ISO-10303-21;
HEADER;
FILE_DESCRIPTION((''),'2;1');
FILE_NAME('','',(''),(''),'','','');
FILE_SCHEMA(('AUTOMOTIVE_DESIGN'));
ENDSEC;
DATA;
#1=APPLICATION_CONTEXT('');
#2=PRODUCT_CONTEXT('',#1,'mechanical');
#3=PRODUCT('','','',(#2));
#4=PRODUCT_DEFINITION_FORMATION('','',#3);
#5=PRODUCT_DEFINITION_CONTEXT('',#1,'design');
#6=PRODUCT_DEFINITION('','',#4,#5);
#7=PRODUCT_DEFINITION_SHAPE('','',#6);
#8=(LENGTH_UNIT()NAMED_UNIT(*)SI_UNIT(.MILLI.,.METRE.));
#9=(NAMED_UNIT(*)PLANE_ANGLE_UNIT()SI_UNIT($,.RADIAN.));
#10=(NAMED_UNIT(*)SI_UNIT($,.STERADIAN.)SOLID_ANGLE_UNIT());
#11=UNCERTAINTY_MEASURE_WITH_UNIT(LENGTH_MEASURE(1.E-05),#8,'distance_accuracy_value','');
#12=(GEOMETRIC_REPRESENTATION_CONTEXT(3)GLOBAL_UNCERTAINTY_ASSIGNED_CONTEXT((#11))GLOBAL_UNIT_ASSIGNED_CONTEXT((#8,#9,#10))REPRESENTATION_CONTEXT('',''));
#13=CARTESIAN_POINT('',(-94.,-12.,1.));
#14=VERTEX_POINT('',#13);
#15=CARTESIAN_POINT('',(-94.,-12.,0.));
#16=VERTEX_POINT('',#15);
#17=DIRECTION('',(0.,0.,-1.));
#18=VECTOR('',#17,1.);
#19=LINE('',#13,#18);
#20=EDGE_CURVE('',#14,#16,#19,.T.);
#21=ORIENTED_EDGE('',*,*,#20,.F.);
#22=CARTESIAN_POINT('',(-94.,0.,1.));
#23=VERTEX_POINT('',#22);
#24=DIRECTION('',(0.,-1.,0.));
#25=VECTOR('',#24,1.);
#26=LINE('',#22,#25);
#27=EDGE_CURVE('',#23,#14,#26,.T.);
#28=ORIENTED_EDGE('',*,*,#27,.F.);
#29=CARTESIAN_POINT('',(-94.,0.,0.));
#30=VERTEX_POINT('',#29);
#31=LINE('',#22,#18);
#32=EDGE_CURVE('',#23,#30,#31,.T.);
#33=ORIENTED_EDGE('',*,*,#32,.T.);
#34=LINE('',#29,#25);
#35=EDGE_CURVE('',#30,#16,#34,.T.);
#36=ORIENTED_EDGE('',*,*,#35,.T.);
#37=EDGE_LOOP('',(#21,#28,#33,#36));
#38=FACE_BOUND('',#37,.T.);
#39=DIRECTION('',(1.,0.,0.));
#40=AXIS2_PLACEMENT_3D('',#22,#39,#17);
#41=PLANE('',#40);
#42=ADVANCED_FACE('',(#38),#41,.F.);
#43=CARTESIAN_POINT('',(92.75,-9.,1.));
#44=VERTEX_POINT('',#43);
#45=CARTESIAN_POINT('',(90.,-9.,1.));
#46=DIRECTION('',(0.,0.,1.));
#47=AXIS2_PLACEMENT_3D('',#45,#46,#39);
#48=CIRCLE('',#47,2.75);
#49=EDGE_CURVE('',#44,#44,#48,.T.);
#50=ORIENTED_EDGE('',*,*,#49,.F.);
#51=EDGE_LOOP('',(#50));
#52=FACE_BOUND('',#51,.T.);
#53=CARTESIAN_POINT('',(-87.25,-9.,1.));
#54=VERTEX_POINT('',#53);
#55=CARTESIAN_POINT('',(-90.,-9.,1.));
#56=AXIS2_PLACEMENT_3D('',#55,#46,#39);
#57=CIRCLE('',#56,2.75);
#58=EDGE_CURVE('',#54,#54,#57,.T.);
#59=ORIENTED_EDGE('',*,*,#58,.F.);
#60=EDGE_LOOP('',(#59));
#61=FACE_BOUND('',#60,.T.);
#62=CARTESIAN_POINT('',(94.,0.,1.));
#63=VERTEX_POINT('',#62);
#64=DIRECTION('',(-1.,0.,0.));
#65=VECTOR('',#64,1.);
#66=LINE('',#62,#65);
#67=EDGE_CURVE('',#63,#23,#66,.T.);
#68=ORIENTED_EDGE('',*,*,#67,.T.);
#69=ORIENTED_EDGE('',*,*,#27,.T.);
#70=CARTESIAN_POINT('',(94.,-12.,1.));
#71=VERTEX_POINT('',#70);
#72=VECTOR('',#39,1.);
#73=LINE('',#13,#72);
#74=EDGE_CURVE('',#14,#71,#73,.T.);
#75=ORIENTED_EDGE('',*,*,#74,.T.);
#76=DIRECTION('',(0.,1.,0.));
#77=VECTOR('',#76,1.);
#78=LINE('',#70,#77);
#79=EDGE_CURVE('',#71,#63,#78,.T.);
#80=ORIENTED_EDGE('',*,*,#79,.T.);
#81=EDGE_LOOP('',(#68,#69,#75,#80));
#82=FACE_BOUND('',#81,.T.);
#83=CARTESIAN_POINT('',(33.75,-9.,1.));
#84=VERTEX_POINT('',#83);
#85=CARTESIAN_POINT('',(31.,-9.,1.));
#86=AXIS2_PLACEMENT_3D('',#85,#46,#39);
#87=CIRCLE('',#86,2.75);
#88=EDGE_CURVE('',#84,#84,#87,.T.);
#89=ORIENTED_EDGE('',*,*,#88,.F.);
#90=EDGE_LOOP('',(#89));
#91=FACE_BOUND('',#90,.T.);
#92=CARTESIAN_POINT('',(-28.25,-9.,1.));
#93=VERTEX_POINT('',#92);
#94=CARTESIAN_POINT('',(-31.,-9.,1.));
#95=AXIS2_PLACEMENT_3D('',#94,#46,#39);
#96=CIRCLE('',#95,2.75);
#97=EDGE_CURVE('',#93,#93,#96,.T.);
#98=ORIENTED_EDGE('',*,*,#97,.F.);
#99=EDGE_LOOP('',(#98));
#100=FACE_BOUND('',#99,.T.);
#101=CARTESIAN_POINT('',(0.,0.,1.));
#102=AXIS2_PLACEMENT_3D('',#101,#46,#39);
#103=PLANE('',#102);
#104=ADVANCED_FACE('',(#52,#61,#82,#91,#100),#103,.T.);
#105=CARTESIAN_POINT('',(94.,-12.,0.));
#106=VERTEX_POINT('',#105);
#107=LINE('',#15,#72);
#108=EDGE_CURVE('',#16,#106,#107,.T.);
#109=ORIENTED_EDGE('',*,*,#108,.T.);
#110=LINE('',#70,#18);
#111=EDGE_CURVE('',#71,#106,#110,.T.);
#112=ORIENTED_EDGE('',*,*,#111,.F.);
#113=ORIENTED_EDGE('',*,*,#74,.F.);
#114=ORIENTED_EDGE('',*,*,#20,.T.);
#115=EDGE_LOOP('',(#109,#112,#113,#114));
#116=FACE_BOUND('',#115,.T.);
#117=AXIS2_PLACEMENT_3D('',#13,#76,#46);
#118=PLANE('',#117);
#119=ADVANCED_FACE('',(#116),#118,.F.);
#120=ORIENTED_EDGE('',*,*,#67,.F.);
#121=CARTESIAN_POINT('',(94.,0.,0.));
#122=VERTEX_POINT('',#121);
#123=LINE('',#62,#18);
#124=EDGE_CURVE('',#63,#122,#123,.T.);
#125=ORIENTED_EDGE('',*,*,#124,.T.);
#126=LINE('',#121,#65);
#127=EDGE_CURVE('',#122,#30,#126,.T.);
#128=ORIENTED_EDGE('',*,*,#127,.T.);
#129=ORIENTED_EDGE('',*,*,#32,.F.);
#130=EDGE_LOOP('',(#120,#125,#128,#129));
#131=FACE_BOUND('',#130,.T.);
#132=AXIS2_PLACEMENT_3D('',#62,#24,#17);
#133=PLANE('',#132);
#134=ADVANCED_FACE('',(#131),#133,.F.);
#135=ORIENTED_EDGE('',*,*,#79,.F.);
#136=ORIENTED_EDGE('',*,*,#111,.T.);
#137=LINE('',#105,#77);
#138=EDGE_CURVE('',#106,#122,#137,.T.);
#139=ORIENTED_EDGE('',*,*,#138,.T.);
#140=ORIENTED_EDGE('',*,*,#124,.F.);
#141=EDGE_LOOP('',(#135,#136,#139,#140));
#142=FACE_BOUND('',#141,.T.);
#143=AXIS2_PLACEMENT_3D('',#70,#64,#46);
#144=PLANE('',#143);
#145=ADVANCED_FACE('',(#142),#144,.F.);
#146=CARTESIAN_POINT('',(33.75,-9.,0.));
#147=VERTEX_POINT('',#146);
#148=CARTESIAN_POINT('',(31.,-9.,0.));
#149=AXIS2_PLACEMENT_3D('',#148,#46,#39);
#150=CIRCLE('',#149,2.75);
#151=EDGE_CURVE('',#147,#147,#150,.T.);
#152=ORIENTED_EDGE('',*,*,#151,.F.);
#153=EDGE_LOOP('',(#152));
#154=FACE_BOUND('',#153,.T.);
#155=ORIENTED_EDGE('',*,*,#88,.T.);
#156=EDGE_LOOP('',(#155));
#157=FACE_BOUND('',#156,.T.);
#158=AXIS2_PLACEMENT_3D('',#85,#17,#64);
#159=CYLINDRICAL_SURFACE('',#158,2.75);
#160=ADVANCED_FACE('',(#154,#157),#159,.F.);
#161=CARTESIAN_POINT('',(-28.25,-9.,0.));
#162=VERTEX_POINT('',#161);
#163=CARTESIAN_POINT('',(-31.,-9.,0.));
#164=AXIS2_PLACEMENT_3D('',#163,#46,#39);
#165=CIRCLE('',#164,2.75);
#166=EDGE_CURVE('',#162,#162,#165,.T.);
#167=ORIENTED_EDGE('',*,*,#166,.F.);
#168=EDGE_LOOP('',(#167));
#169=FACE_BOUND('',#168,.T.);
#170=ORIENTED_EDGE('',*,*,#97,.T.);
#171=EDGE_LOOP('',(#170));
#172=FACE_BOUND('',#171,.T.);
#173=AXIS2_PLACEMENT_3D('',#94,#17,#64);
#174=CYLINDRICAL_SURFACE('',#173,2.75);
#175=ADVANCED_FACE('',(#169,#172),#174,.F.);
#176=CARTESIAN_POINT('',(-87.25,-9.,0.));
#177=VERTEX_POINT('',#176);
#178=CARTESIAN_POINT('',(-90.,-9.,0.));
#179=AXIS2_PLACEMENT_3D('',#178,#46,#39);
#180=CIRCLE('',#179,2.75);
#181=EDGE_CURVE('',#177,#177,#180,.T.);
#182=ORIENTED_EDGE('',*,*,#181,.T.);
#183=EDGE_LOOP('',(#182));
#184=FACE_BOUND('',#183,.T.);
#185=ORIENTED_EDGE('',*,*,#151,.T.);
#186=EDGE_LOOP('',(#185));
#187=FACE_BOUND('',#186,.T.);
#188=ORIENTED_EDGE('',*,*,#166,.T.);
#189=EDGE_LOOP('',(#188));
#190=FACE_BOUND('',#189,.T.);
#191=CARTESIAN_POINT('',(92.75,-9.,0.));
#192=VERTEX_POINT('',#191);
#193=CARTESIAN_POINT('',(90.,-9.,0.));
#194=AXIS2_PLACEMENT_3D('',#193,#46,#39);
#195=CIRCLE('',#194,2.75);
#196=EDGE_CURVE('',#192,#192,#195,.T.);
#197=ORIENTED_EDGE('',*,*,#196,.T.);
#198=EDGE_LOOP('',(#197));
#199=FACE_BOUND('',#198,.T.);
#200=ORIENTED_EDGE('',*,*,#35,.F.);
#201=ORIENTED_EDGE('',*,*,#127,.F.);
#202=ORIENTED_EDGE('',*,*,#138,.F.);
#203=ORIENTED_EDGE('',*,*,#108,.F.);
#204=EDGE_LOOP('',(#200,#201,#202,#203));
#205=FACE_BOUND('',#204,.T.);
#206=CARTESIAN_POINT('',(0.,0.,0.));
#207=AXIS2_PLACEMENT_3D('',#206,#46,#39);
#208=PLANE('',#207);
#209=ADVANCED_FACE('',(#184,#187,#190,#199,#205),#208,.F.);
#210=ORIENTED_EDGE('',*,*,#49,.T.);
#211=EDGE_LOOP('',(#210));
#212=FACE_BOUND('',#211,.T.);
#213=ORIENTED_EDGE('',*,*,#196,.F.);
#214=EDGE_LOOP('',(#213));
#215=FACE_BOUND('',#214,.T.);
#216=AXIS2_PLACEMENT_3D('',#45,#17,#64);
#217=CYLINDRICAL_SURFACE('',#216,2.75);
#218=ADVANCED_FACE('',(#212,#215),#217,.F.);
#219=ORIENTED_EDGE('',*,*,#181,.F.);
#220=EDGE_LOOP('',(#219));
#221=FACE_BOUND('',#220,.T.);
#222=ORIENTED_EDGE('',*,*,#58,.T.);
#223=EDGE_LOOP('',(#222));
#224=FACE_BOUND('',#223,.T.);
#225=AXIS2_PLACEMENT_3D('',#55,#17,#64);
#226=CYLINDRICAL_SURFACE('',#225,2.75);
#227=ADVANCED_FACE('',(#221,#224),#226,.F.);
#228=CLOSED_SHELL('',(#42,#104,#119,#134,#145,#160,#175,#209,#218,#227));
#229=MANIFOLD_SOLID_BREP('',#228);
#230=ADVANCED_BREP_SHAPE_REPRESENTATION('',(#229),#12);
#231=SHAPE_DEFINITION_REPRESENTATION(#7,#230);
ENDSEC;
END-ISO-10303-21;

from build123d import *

# Parameters (mm, degrees)
M5_FLOOR_ATTACHMENTS_PROFILE_W = 188
M5_FLOOR_ATTACHMENTS_PROFILE_H = 12
M5_FLOOR_ATTACHMENTS_PROFILE_R = 2.75
M5_FLOOR_ATTACHMENTS_DEPTH     = 1


with BuildPart() as part:
    # M5 floor attachments profile → M5 floor attachments (new body)
    with BuildSketch(Plane.XY):
        with Locations((0, -6)):
            Rectangle(M5_FLOOR_ATTACHMENTS_PROFILE_W, M5_FLOOR_ATTACHMENTS_PROFILE_H)
        with Locations((-90, -9)):
            Circle(M5_FLOOR_ATTACHMENTS_PROFILE_R, mode=Mode.SUBTRACT)
        with Locations((-31, -9)):
            Circle(M5_FLOOR_ATTACHMENTS_PROFILE_R, mode=Mode.SUBTRACT)
        with Locations((31, -9)):
            Circle(M5_FLOOR_ATTACHMENTS_PROFILE_R, mode=Mode.SUBTRACT)
        with Locations((90, -9)):
            Circle(M5_FLOOR_ATTACHMENTS_PROFILE_R, mode=Mode.SUBTRACT)
    extrude(amount=M5_FLOOR_ATTACHMENTS_DEPTH)


solid = part.part
